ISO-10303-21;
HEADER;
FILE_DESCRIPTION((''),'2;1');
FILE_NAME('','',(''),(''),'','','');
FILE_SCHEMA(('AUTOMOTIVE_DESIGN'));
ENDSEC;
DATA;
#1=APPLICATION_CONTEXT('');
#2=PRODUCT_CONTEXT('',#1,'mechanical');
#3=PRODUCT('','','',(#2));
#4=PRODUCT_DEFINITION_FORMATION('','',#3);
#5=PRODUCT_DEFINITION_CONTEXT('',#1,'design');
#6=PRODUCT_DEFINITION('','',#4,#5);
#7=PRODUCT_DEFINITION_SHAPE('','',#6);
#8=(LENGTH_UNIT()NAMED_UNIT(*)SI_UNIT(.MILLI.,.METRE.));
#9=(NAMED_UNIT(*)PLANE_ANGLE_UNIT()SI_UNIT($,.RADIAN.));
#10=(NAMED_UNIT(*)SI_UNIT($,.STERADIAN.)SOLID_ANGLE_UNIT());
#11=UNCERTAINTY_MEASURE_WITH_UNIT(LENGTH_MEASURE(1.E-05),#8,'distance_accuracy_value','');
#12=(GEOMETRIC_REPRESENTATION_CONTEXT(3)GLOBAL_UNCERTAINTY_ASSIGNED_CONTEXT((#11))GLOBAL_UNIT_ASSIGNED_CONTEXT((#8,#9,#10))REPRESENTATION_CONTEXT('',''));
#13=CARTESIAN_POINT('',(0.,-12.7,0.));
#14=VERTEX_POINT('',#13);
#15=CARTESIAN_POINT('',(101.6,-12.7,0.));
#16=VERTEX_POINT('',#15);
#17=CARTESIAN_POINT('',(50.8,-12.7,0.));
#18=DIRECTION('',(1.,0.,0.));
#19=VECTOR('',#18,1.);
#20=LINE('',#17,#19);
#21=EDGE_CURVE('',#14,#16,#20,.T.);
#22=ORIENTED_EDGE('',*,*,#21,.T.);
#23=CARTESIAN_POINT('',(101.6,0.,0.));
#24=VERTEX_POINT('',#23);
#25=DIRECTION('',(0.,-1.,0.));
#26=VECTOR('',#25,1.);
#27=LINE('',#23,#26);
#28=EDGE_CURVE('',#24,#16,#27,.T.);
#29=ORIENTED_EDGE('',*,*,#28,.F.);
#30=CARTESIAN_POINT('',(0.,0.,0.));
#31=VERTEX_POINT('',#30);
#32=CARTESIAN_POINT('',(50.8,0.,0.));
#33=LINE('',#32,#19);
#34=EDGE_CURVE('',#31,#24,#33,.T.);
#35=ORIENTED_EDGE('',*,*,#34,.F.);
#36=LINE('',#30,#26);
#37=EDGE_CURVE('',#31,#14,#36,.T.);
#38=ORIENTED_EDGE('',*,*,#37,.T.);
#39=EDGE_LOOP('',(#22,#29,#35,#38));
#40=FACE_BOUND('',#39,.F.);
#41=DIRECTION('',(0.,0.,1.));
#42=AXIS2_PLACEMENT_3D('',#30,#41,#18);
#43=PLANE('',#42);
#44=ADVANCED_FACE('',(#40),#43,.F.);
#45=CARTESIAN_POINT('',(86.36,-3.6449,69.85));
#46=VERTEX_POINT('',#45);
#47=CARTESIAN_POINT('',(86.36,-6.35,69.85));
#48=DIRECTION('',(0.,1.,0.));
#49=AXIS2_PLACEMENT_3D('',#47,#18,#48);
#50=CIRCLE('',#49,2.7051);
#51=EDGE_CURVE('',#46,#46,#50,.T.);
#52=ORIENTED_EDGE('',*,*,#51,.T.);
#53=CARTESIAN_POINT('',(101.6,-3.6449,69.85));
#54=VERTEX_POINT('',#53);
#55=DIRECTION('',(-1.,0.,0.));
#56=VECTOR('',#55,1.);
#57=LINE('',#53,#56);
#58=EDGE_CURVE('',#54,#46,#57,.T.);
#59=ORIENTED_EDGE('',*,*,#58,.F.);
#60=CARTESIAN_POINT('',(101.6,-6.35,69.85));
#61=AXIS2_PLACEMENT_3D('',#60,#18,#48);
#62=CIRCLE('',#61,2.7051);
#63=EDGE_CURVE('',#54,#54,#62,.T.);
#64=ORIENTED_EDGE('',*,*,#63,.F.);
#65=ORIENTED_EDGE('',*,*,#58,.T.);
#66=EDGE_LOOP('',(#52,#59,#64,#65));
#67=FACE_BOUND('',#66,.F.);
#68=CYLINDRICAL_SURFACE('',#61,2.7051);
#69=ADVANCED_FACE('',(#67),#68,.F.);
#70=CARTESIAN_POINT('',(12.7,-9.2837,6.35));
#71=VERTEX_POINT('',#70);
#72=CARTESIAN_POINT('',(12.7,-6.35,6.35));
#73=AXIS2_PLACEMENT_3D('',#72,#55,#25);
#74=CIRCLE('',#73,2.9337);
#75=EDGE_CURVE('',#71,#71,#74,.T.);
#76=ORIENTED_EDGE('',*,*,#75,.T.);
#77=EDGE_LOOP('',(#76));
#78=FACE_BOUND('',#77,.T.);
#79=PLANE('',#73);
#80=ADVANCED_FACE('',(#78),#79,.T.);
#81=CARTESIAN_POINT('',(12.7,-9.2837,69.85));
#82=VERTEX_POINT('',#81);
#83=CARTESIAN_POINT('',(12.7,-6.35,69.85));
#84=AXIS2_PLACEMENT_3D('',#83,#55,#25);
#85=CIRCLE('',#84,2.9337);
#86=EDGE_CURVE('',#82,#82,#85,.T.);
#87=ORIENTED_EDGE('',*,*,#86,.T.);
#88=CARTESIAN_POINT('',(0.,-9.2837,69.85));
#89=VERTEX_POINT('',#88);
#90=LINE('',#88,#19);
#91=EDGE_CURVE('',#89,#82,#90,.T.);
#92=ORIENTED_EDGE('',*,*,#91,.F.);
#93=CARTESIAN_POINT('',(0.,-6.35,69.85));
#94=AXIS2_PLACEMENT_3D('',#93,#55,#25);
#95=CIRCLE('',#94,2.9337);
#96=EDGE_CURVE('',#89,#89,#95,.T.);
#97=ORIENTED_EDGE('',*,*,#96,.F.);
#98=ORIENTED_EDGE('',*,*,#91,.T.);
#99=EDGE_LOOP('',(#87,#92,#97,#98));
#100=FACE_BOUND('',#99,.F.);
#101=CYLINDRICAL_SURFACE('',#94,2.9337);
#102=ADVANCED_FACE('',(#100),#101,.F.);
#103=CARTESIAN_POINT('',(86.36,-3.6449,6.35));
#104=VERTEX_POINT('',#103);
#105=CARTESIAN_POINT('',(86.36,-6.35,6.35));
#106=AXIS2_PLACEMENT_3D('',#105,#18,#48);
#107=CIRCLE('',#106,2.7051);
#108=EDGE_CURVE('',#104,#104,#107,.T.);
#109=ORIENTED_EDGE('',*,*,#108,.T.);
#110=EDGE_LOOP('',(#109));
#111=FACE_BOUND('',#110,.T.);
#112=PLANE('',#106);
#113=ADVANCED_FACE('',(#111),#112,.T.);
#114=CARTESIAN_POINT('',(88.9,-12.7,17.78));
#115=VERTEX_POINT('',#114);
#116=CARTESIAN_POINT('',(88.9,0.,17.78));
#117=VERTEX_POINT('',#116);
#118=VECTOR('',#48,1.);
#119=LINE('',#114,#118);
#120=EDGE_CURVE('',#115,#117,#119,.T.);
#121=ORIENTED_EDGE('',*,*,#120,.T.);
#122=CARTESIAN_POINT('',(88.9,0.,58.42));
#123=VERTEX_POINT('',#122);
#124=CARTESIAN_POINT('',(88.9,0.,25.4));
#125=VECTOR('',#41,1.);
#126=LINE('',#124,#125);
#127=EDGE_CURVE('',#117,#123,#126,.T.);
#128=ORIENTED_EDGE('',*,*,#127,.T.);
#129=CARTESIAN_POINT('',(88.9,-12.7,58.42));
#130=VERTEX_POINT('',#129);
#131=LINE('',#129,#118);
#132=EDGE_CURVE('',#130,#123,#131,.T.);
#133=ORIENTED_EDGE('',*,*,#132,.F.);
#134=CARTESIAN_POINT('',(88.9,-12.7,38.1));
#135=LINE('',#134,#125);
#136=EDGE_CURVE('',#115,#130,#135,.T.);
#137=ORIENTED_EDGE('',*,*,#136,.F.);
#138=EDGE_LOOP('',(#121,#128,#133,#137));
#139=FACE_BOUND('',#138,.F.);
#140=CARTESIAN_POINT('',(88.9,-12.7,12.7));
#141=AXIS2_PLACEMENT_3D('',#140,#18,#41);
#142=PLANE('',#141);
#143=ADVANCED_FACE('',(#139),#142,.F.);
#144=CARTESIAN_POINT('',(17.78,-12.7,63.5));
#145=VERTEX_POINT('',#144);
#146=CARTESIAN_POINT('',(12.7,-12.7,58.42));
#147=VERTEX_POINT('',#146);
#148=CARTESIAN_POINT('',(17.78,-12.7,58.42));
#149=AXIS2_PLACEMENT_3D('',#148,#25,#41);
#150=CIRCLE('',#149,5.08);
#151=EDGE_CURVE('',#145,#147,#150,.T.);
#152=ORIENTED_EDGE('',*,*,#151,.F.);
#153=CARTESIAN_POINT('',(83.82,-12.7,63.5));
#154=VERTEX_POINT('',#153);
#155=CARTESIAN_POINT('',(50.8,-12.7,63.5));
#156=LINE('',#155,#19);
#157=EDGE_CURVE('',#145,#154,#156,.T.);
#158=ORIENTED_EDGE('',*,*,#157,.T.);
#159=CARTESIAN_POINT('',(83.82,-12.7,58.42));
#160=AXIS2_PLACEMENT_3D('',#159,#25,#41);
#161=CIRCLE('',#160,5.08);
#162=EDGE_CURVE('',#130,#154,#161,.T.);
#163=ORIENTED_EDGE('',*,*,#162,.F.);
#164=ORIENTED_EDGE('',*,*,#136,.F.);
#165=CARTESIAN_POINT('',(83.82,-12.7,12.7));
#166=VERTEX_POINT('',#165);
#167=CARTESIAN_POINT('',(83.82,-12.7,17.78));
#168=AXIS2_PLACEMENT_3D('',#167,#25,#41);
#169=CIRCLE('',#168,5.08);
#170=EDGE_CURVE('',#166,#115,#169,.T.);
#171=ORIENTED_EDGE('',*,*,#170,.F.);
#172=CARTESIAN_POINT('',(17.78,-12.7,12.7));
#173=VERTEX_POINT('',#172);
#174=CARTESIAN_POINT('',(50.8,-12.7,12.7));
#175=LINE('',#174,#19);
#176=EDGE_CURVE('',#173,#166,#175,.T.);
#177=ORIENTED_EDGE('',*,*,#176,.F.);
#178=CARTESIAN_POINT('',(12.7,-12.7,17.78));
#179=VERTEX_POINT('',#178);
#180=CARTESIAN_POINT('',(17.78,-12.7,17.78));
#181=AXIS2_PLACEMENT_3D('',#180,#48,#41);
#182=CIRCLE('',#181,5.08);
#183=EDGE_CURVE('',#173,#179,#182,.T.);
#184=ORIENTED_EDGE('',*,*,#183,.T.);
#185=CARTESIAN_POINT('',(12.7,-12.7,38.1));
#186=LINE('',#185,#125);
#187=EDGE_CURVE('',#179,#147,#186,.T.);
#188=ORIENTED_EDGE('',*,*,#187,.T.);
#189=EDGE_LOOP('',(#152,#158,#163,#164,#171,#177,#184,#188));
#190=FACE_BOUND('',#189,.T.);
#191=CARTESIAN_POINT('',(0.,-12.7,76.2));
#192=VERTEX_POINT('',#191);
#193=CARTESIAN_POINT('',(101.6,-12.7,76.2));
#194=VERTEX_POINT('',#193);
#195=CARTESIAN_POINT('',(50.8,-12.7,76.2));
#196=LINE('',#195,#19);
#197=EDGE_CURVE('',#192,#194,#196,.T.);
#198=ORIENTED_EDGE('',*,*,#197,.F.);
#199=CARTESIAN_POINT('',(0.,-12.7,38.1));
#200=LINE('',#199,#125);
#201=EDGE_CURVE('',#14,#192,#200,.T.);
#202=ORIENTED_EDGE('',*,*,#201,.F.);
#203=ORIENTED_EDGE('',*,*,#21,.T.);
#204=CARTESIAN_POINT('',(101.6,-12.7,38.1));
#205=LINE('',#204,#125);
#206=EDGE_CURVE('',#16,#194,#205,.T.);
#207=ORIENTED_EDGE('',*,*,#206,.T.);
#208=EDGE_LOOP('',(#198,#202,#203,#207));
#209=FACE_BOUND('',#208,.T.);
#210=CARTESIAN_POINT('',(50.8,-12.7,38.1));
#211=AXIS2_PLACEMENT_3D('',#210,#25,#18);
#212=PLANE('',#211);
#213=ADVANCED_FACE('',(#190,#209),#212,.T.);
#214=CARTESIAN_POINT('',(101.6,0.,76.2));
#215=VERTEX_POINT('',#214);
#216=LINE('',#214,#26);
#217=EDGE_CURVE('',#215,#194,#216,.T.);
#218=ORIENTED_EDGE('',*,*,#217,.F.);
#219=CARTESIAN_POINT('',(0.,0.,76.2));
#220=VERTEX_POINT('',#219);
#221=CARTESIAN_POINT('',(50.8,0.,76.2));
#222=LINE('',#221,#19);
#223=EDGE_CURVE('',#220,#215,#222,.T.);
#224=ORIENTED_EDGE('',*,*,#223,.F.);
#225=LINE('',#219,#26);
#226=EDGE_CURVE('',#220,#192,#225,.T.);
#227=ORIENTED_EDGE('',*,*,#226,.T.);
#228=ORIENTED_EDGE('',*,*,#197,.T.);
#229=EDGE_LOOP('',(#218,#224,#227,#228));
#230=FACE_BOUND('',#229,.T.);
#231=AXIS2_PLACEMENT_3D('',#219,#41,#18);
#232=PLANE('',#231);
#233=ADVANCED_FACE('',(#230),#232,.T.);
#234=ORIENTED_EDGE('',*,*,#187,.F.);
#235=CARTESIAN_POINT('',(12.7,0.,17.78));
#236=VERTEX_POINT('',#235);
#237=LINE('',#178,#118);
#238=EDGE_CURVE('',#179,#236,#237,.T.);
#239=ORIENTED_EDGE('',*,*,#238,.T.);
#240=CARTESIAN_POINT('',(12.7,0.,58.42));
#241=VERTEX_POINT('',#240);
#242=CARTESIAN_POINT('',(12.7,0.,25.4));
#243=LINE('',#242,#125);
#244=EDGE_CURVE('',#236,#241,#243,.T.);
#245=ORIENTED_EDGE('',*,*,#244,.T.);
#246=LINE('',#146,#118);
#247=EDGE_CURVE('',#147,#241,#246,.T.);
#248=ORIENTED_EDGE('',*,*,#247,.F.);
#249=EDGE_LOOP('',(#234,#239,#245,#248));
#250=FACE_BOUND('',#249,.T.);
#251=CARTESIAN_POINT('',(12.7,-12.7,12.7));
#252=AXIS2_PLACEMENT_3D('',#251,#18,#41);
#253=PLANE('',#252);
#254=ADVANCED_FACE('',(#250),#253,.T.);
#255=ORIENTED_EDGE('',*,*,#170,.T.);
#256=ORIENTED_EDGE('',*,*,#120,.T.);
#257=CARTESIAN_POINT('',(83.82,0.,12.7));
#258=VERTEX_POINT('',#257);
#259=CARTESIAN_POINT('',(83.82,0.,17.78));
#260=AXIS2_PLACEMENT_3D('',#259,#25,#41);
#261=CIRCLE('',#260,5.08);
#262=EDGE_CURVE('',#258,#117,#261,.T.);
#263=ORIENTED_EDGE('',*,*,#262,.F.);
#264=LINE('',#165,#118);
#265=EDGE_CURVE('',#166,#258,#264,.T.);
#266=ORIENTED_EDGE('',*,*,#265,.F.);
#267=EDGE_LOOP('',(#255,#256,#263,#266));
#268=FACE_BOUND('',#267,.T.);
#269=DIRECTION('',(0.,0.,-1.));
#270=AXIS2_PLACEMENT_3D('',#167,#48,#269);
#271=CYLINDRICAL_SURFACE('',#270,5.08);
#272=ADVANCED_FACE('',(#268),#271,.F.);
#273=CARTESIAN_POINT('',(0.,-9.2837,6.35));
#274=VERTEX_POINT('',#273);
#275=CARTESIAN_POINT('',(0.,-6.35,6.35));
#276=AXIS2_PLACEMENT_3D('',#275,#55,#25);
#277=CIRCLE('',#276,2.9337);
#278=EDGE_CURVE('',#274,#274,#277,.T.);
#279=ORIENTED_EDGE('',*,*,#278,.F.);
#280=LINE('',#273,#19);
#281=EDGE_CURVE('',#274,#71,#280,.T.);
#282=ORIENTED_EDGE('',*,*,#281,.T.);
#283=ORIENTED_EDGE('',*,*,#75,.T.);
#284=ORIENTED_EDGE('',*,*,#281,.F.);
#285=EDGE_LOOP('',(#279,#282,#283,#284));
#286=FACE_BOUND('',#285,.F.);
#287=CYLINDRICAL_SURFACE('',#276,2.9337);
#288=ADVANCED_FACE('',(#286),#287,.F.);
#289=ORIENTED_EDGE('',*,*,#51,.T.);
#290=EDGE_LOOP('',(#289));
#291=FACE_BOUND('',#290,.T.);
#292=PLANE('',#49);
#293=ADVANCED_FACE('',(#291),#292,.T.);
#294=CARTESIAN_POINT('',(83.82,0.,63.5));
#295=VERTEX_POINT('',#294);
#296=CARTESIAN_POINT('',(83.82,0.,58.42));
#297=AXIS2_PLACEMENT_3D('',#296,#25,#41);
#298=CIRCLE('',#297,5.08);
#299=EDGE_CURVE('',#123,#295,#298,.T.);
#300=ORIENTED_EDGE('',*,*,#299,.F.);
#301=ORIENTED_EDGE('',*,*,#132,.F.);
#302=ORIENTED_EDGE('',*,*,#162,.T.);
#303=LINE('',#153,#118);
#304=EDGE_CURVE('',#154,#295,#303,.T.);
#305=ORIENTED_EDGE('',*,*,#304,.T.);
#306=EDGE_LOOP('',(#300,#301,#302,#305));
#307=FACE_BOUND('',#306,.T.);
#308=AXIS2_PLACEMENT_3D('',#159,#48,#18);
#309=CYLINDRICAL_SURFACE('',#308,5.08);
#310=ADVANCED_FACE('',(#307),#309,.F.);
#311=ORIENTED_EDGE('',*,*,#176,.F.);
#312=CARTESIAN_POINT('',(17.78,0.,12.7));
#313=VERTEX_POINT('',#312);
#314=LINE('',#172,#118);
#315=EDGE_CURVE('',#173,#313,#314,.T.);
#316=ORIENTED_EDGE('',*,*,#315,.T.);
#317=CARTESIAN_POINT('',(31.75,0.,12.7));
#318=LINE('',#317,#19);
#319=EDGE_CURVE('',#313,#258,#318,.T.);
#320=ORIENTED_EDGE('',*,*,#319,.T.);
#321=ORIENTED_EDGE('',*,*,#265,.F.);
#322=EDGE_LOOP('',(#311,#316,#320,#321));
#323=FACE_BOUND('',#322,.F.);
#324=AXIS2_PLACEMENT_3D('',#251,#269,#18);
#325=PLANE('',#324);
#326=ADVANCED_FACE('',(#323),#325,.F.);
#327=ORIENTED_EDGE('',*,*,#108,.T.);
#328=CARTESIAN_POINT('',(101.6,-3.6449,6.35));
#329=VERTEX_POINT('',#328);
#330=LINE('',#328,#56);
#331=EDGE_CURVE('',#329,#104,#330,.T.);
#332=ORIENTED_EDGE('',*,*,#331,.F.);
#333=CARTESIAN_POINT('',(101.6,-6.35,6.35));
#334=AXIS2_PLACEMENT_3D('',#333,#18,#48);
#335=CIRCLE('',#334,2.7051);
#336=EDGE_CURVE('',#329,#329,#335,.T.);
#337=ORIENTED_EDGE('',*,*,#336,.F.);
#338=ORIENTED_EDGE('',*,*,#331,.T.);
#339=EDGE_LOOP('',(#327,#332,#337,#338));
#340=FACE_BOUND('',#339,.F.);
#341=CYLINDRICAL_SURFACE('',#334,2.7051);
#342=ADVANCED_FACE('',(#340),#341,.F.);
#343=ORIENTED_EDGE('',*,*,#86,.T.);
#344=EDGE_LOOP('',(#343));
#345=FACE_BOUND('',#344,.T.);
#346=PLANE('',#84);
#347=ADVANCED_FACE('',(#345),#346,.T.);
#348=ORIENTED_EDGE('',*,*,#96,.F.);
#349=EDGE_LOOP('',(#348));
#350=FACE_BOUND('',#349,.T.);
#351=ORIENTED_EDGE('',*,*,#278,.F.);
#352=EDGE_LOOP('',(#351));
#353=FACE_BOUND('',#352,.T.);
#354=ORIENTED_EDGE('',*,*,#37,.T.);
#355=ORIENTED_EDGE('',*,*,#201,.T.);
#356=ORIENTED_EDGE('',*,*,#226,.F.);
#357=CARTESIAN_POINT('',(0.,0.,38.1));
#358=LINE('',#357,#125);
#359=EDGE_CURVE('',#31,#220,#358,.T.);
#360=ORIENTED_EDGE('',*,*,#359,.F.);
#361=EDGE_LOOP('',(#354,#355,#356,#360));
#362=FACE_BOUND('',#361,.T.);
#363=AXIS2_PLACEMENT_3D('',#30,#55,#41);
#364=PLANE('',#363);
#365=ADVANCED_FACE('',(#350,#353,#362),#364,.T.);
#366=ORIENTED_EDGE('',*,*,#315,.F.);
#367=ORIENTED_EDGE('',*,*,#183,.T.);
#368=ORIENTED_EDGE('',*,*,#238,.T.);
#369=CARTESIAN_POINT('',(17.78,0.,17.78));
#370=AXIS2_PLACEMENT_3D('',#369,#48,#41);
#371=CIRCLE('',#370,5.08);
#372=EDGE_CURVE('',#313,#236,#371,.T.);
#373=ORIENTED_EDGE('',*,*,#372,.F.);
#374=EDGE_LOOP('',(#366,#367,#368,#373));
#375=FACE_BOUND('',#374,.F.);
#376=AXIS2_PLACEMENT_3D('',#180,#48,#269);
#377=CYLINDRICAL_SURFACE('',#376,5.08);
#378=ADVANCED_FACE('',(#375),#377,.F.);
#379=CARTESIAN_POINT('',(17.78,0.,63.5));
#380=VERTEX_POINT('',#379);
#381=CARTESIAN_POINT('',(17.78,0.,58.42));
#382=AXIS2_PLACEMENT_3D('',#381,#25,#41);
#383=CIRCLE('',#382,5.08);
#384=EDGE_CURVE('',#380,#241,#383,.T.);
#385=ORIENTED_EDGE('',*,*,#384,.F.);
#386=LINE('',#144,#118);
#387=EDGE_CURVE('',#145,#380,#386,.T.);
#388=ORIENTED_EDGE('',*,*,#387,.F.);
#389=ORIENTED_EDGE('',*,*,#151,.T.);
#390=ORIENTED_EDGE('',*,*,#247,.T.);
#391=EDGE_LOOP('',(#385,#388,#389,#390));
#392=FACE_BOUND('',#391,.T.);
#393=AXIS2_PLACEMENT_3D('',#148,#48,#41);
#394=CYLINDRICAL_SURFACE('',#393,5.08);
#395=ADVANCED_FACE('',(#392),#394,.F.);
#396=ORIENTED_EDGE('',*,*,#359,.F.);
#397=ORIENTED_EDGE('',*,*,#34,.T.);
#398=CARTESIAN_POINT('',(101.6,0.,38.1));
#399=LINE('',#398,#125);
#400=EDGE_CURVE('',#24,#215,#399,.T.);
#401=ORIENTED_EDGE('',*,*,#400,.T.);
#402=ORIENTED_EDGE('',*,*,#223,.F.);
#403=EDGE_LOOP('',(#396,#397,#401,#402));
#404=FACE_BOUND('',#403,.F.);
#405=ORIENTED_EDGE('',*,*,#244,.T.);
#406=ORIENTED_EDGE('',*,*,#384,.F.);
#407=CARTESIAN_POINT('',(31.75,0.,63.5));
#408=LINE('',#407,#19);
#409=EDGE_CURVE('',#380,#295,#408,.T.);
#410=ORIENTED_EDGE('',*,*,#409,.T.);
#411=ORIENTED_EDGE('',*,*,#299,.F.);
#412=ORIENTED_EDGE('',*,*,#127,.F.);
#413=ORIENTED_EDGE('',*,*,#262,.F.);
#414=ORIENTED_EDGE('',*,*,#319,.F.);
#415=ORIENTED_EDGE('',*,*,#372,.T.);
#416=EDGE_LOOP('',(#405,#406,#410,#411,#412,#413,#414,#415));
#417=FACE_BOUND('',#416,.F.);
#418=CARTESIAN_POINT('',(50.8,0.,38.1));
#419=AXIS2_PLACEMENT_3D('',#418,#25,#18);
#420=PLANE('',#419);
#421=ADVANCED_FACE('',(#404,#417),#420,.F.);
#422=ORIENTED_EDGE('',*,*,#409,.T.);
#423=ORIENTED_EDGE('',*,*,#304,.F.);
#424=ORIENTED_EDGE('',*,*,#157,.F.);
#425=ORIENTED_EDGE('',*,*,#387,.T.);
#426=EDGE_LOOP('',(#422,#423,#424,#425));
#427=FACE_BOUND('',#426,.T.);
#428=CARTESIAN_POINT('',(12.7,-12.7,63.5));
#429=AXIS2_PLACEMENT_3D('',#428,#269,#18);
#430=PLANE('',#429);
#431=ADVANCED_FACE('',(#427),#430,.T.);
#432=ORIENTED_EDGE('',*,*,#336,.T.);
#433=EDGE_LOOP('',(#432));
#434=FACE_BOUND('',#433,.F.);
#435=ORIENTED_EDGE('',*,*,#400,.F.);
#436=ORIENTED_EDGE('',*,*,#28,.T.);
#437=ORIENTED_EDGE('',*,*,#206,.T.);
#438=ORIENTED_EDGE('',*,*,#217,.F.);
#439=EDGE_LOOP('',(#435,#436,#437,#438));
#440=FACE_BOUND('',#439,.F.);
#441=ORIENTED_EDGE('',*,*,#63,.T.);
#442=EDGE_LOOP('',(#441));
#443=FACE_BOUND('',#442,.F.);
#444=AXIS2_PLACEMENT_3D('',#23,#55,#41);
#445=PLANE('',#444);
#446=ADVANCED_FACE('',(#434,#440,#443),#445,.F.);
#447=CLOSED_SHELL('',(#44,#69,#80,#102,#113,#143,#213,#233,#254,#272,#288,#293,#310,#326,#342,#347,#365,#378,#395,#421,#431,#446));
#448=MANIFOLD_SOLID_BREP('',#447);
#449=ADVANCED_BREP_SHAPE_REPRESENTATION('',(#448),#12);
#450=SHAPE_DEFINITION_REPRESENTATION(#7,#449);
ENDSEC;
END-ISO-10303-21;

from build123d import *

# Parameters (mm, degrees)
F0_W     = 101.6
F0_H     = 76.2
F1_DEPTH = 12.7
F2_R     = 2.7051
F3_DEPTH = 15.24
F4_R     = 2.9337
F5_DEPTH = 12.7
F6_W     = 76.2
F6_H     = 50.8
F7_DEPTH = 25.4
F8_R     = 5.08


with BuildPart() as f1:
    # F0 (on Front) → F1 (new body)
    with BuildSketch(Plane.XZ):
        with Locations((50.8, 38.1)):
            Rectangle(F0_W, F0_H)
    extrude(amount=F1_DEPTH)

    # F2 (on face) → F3 (cut)
    with BuildSketch(Plane.YZ.offset(101.6)):
        with Locations((-6.35, 69.85)):
            Circle(F2_R)
        with Locations((-6.35, 6.35)):
            Circle(F2_R)
    extrude(amount=-F3_DEPTH, mode=Mode.SUBTRACT)

    # F4 (on face) → F5 (cut)
    with BuildSketch(Plane(origin=(0, 0, 0), x_dir=(0, -1, 0), z_dir=(-1, 0, 0))):
        with Locations((6.35, 69.85)):
            Circle(F4_R)
        with Locations((6.35, 6.35)):
            Circle(F4_R)
    extrude(amount=-F5_DEPTH, mode=Mode.SUBTRACT)

    # F6 (on face) → F7 (cut)
    with BuildSketch(Plane.XZ.offset(12.7)):
        with Locations((50.8, 38.1)):
            Rectangle(F6_W, F6_H)
    extrude(amount=-F7_DEPTH, mode=Mode.SUBTRACT)

    # F8
    f8_edges = [f1.edges().sort_by_distance(p)[0] for p in [
        (12.7, -6.35, 12.7),
        (88.9, -6.35, 63.5),
        (88.9, -6.35, 12.7),
        (12.7, -6.35, 63.5),
    ]]
    fillet(f8_edges, radius=F8_R)


solid = f1.part
